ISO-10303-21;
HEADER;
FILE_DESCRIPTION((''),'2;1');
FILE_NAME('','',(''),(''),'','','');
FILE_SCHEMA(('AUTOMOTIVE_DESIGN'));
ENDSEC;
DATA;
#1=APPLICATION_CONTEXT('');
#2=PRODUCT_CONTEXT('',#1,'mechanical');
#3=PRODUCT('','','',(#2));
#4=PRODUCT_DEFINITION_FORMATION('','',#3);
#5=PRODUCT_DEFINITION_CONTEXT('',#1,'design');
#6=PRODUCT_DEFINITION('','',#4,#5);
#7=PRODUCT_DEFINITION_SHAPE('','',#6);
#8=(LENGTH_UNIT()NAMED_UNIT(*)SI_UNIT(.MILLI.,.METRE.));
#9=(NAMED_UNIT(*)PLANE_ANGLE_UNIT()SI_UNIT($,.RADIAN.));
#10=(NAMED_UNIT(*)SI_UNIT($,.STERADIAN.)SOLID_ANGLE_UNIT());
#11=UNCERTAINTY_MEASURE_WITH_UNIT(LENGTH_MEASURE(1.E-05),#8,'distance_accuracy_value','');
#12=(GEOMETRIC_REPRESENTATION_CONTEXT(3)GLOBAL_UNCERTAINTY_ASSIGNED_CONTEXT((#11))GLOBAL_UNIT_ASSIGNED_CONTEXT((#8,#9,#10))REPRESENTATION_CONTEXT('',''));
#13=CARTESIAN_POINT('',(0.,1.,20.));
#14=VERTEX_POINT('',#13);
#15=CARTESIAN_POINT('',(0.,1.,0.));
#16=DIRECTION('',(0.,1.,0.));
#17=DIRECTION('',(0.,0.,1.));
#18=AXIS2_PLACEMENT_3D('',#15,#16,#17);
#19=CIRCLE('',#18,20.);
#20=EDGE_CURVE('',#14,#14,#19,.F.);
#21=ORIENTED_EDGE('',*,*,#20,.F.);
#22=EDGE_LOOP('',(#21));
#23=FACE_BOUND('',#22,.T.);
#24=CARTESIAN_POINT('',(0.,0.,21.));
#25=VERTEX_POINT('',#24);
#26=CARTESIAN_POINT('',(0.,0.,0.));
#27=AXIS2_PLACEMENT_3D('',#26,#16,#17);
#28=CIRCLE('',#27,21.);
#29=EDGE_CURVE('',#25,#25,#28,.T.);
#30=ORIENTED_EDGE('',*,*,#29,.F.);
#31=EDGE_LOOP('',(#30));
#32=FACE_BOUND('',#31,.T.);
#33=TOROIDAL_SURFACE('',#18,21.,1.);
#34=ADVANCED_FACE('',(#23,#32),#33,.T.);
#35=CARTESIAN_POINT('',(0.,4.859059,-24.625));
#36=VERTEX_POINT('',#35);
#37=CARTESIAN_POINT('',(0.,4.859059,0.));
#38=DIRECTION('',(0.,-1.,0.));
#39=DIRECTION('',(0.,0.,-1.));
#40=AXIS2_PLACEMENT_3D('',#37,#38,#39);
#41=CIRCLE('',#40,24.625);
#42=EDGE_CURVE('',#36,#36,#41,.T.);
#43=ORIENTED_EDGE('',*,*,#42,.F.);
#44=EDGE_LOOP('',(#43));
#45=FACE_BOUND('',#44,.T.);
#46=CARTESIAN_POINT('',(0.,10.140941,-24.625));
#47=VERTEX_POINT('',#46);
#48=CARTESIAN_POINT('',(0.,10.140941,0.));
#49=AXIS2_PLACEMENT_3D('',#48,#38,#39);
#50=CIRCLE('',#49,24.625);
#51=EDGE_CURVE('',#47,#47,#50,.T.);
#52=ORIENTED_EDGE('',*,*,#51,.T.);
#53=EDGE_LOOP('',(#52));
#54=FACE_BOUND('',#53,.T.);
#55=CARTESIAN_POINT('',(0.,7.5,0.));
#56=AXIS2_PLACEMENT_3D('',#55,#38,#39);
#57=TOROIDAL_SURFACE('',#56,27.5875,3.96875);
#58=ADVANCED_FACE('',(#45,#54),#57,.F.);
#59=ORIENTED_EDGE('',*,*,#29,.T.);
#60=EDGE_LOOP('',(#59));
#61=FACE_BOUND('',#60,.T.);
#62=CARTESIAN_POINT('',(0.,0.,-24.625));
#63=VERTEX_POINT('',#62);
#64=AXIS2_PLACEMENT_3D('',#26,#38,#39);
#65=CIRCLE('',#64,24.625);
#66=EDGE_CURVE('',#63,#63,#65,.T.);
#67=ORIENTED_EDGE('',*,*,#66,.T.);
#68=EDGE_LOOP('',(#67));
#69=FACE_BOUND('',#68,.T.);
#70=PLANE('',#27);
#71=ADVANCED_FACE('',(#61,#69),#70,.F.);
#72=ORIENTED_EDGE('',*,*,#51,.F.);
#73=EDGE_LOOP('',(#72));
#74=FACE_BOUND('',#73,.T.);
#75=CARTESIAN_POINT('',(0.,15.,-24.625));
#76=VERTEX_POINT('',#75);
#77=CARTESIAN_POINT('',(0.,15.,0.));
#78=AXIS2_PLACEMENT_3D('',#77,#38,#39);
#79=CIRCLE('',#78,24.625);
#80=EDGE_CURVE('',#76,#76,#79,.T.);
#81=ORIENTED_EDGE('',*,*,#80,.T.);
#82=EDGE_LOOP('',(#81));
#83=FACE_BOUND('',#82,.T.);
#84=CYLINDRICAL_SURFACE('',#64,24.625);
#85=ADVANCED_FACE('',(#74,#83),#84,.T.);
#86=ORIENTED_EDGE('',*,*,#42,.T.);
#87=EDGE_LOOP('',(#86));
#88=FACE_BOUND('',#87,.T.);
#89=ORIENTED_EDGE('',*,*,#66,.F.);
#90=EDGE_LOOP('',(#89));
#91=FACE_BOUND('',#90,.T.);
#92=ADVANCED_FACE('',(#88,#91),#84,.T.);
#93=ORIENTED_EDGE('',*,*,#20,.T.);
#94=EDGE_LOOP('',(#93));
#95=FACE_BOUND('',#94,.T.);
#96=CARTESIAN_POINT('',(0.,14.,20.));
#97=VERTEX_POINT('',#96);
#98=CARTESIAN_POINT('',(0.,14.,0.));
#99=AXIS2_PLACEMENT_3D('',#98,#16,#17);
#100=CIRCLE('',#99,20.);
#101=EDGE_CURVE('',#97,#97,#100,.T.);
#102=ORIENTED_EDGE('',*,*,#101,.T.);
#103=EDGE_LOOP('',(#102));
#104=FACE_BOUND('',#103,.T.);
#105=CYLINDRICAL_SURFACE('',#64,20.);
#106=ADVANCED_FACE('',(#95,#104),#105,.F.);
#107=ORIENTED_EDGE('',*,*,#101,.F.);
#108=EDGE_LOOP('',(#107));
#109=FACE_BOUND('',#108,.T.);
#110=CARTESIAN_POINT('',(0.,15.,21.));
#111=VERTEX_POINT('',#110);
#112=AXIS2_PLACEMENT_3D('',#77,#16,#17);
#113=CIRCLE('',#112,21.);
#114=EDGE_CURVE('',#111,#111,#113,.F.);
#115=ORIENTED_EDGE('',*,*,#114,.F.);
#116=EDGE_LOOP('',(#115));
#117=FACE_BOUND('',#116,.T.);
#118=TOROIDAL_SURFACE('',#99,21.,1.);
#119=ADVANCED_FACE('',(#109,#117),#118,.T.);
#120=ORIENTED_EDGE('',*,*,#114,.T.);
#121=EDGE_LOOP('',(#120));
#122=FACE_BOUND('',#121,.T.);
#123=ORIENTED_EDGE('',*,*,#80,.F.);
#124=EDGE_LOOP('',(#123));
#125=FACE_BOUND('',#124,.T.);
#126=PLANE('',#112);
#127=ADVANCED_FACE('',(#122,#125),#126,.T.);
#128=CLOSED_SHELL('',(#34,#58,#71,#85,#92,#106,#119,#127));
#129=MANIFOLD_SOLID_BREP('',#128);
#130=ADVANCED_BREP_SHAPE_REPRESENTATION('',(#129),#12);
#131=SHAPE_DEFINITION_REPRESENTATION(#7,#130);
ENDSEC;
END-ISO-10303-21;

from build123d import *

# Parameters (mm, degrees)
FILLET1_R = 1


with BuildPart() as part:
    # Sketch1 → Revolve2 (revolve)
    with BuildSketch(Plane.XY, mode=Mode.PRIVATE) as revolve2_sk:
        with BuildLine():
            ThreePointArc((-23.61875, 7.5), (-23.878834577, 6.086926278), (-24.625, 4.859058821))
            Line((-24.625, 4.859058821), (-24.625, 0))
            Line((-24.625, 0), (-20, 0))
            Line((-20, 0), (-20, 15))
            Line((-20, 15), (-24.625, 15))
            Line((-24.625, 15), (-24.625, 10.140941179))
            ThreePointArc((-24.625, 10.140941179), (-23.878834577, 8.913073722), (-23.61875, 7.5))
        make_face()
    revolve(revolve2_sk.sketch.rotate(Axis((0, 0, 0), (0, 1, 0)), 270), axis=Axis((0, 0, 0), (0, 1, 0)))

    # Fillet1
    fillet1_edges = [part.edges().sort_by_distance(p)[0] for p in [
        (0, 15, 20),
        (0, 0, 20),
    ]]
    fillet(fillet1_edges, radius=FILLET1_R)


solid = part.part
